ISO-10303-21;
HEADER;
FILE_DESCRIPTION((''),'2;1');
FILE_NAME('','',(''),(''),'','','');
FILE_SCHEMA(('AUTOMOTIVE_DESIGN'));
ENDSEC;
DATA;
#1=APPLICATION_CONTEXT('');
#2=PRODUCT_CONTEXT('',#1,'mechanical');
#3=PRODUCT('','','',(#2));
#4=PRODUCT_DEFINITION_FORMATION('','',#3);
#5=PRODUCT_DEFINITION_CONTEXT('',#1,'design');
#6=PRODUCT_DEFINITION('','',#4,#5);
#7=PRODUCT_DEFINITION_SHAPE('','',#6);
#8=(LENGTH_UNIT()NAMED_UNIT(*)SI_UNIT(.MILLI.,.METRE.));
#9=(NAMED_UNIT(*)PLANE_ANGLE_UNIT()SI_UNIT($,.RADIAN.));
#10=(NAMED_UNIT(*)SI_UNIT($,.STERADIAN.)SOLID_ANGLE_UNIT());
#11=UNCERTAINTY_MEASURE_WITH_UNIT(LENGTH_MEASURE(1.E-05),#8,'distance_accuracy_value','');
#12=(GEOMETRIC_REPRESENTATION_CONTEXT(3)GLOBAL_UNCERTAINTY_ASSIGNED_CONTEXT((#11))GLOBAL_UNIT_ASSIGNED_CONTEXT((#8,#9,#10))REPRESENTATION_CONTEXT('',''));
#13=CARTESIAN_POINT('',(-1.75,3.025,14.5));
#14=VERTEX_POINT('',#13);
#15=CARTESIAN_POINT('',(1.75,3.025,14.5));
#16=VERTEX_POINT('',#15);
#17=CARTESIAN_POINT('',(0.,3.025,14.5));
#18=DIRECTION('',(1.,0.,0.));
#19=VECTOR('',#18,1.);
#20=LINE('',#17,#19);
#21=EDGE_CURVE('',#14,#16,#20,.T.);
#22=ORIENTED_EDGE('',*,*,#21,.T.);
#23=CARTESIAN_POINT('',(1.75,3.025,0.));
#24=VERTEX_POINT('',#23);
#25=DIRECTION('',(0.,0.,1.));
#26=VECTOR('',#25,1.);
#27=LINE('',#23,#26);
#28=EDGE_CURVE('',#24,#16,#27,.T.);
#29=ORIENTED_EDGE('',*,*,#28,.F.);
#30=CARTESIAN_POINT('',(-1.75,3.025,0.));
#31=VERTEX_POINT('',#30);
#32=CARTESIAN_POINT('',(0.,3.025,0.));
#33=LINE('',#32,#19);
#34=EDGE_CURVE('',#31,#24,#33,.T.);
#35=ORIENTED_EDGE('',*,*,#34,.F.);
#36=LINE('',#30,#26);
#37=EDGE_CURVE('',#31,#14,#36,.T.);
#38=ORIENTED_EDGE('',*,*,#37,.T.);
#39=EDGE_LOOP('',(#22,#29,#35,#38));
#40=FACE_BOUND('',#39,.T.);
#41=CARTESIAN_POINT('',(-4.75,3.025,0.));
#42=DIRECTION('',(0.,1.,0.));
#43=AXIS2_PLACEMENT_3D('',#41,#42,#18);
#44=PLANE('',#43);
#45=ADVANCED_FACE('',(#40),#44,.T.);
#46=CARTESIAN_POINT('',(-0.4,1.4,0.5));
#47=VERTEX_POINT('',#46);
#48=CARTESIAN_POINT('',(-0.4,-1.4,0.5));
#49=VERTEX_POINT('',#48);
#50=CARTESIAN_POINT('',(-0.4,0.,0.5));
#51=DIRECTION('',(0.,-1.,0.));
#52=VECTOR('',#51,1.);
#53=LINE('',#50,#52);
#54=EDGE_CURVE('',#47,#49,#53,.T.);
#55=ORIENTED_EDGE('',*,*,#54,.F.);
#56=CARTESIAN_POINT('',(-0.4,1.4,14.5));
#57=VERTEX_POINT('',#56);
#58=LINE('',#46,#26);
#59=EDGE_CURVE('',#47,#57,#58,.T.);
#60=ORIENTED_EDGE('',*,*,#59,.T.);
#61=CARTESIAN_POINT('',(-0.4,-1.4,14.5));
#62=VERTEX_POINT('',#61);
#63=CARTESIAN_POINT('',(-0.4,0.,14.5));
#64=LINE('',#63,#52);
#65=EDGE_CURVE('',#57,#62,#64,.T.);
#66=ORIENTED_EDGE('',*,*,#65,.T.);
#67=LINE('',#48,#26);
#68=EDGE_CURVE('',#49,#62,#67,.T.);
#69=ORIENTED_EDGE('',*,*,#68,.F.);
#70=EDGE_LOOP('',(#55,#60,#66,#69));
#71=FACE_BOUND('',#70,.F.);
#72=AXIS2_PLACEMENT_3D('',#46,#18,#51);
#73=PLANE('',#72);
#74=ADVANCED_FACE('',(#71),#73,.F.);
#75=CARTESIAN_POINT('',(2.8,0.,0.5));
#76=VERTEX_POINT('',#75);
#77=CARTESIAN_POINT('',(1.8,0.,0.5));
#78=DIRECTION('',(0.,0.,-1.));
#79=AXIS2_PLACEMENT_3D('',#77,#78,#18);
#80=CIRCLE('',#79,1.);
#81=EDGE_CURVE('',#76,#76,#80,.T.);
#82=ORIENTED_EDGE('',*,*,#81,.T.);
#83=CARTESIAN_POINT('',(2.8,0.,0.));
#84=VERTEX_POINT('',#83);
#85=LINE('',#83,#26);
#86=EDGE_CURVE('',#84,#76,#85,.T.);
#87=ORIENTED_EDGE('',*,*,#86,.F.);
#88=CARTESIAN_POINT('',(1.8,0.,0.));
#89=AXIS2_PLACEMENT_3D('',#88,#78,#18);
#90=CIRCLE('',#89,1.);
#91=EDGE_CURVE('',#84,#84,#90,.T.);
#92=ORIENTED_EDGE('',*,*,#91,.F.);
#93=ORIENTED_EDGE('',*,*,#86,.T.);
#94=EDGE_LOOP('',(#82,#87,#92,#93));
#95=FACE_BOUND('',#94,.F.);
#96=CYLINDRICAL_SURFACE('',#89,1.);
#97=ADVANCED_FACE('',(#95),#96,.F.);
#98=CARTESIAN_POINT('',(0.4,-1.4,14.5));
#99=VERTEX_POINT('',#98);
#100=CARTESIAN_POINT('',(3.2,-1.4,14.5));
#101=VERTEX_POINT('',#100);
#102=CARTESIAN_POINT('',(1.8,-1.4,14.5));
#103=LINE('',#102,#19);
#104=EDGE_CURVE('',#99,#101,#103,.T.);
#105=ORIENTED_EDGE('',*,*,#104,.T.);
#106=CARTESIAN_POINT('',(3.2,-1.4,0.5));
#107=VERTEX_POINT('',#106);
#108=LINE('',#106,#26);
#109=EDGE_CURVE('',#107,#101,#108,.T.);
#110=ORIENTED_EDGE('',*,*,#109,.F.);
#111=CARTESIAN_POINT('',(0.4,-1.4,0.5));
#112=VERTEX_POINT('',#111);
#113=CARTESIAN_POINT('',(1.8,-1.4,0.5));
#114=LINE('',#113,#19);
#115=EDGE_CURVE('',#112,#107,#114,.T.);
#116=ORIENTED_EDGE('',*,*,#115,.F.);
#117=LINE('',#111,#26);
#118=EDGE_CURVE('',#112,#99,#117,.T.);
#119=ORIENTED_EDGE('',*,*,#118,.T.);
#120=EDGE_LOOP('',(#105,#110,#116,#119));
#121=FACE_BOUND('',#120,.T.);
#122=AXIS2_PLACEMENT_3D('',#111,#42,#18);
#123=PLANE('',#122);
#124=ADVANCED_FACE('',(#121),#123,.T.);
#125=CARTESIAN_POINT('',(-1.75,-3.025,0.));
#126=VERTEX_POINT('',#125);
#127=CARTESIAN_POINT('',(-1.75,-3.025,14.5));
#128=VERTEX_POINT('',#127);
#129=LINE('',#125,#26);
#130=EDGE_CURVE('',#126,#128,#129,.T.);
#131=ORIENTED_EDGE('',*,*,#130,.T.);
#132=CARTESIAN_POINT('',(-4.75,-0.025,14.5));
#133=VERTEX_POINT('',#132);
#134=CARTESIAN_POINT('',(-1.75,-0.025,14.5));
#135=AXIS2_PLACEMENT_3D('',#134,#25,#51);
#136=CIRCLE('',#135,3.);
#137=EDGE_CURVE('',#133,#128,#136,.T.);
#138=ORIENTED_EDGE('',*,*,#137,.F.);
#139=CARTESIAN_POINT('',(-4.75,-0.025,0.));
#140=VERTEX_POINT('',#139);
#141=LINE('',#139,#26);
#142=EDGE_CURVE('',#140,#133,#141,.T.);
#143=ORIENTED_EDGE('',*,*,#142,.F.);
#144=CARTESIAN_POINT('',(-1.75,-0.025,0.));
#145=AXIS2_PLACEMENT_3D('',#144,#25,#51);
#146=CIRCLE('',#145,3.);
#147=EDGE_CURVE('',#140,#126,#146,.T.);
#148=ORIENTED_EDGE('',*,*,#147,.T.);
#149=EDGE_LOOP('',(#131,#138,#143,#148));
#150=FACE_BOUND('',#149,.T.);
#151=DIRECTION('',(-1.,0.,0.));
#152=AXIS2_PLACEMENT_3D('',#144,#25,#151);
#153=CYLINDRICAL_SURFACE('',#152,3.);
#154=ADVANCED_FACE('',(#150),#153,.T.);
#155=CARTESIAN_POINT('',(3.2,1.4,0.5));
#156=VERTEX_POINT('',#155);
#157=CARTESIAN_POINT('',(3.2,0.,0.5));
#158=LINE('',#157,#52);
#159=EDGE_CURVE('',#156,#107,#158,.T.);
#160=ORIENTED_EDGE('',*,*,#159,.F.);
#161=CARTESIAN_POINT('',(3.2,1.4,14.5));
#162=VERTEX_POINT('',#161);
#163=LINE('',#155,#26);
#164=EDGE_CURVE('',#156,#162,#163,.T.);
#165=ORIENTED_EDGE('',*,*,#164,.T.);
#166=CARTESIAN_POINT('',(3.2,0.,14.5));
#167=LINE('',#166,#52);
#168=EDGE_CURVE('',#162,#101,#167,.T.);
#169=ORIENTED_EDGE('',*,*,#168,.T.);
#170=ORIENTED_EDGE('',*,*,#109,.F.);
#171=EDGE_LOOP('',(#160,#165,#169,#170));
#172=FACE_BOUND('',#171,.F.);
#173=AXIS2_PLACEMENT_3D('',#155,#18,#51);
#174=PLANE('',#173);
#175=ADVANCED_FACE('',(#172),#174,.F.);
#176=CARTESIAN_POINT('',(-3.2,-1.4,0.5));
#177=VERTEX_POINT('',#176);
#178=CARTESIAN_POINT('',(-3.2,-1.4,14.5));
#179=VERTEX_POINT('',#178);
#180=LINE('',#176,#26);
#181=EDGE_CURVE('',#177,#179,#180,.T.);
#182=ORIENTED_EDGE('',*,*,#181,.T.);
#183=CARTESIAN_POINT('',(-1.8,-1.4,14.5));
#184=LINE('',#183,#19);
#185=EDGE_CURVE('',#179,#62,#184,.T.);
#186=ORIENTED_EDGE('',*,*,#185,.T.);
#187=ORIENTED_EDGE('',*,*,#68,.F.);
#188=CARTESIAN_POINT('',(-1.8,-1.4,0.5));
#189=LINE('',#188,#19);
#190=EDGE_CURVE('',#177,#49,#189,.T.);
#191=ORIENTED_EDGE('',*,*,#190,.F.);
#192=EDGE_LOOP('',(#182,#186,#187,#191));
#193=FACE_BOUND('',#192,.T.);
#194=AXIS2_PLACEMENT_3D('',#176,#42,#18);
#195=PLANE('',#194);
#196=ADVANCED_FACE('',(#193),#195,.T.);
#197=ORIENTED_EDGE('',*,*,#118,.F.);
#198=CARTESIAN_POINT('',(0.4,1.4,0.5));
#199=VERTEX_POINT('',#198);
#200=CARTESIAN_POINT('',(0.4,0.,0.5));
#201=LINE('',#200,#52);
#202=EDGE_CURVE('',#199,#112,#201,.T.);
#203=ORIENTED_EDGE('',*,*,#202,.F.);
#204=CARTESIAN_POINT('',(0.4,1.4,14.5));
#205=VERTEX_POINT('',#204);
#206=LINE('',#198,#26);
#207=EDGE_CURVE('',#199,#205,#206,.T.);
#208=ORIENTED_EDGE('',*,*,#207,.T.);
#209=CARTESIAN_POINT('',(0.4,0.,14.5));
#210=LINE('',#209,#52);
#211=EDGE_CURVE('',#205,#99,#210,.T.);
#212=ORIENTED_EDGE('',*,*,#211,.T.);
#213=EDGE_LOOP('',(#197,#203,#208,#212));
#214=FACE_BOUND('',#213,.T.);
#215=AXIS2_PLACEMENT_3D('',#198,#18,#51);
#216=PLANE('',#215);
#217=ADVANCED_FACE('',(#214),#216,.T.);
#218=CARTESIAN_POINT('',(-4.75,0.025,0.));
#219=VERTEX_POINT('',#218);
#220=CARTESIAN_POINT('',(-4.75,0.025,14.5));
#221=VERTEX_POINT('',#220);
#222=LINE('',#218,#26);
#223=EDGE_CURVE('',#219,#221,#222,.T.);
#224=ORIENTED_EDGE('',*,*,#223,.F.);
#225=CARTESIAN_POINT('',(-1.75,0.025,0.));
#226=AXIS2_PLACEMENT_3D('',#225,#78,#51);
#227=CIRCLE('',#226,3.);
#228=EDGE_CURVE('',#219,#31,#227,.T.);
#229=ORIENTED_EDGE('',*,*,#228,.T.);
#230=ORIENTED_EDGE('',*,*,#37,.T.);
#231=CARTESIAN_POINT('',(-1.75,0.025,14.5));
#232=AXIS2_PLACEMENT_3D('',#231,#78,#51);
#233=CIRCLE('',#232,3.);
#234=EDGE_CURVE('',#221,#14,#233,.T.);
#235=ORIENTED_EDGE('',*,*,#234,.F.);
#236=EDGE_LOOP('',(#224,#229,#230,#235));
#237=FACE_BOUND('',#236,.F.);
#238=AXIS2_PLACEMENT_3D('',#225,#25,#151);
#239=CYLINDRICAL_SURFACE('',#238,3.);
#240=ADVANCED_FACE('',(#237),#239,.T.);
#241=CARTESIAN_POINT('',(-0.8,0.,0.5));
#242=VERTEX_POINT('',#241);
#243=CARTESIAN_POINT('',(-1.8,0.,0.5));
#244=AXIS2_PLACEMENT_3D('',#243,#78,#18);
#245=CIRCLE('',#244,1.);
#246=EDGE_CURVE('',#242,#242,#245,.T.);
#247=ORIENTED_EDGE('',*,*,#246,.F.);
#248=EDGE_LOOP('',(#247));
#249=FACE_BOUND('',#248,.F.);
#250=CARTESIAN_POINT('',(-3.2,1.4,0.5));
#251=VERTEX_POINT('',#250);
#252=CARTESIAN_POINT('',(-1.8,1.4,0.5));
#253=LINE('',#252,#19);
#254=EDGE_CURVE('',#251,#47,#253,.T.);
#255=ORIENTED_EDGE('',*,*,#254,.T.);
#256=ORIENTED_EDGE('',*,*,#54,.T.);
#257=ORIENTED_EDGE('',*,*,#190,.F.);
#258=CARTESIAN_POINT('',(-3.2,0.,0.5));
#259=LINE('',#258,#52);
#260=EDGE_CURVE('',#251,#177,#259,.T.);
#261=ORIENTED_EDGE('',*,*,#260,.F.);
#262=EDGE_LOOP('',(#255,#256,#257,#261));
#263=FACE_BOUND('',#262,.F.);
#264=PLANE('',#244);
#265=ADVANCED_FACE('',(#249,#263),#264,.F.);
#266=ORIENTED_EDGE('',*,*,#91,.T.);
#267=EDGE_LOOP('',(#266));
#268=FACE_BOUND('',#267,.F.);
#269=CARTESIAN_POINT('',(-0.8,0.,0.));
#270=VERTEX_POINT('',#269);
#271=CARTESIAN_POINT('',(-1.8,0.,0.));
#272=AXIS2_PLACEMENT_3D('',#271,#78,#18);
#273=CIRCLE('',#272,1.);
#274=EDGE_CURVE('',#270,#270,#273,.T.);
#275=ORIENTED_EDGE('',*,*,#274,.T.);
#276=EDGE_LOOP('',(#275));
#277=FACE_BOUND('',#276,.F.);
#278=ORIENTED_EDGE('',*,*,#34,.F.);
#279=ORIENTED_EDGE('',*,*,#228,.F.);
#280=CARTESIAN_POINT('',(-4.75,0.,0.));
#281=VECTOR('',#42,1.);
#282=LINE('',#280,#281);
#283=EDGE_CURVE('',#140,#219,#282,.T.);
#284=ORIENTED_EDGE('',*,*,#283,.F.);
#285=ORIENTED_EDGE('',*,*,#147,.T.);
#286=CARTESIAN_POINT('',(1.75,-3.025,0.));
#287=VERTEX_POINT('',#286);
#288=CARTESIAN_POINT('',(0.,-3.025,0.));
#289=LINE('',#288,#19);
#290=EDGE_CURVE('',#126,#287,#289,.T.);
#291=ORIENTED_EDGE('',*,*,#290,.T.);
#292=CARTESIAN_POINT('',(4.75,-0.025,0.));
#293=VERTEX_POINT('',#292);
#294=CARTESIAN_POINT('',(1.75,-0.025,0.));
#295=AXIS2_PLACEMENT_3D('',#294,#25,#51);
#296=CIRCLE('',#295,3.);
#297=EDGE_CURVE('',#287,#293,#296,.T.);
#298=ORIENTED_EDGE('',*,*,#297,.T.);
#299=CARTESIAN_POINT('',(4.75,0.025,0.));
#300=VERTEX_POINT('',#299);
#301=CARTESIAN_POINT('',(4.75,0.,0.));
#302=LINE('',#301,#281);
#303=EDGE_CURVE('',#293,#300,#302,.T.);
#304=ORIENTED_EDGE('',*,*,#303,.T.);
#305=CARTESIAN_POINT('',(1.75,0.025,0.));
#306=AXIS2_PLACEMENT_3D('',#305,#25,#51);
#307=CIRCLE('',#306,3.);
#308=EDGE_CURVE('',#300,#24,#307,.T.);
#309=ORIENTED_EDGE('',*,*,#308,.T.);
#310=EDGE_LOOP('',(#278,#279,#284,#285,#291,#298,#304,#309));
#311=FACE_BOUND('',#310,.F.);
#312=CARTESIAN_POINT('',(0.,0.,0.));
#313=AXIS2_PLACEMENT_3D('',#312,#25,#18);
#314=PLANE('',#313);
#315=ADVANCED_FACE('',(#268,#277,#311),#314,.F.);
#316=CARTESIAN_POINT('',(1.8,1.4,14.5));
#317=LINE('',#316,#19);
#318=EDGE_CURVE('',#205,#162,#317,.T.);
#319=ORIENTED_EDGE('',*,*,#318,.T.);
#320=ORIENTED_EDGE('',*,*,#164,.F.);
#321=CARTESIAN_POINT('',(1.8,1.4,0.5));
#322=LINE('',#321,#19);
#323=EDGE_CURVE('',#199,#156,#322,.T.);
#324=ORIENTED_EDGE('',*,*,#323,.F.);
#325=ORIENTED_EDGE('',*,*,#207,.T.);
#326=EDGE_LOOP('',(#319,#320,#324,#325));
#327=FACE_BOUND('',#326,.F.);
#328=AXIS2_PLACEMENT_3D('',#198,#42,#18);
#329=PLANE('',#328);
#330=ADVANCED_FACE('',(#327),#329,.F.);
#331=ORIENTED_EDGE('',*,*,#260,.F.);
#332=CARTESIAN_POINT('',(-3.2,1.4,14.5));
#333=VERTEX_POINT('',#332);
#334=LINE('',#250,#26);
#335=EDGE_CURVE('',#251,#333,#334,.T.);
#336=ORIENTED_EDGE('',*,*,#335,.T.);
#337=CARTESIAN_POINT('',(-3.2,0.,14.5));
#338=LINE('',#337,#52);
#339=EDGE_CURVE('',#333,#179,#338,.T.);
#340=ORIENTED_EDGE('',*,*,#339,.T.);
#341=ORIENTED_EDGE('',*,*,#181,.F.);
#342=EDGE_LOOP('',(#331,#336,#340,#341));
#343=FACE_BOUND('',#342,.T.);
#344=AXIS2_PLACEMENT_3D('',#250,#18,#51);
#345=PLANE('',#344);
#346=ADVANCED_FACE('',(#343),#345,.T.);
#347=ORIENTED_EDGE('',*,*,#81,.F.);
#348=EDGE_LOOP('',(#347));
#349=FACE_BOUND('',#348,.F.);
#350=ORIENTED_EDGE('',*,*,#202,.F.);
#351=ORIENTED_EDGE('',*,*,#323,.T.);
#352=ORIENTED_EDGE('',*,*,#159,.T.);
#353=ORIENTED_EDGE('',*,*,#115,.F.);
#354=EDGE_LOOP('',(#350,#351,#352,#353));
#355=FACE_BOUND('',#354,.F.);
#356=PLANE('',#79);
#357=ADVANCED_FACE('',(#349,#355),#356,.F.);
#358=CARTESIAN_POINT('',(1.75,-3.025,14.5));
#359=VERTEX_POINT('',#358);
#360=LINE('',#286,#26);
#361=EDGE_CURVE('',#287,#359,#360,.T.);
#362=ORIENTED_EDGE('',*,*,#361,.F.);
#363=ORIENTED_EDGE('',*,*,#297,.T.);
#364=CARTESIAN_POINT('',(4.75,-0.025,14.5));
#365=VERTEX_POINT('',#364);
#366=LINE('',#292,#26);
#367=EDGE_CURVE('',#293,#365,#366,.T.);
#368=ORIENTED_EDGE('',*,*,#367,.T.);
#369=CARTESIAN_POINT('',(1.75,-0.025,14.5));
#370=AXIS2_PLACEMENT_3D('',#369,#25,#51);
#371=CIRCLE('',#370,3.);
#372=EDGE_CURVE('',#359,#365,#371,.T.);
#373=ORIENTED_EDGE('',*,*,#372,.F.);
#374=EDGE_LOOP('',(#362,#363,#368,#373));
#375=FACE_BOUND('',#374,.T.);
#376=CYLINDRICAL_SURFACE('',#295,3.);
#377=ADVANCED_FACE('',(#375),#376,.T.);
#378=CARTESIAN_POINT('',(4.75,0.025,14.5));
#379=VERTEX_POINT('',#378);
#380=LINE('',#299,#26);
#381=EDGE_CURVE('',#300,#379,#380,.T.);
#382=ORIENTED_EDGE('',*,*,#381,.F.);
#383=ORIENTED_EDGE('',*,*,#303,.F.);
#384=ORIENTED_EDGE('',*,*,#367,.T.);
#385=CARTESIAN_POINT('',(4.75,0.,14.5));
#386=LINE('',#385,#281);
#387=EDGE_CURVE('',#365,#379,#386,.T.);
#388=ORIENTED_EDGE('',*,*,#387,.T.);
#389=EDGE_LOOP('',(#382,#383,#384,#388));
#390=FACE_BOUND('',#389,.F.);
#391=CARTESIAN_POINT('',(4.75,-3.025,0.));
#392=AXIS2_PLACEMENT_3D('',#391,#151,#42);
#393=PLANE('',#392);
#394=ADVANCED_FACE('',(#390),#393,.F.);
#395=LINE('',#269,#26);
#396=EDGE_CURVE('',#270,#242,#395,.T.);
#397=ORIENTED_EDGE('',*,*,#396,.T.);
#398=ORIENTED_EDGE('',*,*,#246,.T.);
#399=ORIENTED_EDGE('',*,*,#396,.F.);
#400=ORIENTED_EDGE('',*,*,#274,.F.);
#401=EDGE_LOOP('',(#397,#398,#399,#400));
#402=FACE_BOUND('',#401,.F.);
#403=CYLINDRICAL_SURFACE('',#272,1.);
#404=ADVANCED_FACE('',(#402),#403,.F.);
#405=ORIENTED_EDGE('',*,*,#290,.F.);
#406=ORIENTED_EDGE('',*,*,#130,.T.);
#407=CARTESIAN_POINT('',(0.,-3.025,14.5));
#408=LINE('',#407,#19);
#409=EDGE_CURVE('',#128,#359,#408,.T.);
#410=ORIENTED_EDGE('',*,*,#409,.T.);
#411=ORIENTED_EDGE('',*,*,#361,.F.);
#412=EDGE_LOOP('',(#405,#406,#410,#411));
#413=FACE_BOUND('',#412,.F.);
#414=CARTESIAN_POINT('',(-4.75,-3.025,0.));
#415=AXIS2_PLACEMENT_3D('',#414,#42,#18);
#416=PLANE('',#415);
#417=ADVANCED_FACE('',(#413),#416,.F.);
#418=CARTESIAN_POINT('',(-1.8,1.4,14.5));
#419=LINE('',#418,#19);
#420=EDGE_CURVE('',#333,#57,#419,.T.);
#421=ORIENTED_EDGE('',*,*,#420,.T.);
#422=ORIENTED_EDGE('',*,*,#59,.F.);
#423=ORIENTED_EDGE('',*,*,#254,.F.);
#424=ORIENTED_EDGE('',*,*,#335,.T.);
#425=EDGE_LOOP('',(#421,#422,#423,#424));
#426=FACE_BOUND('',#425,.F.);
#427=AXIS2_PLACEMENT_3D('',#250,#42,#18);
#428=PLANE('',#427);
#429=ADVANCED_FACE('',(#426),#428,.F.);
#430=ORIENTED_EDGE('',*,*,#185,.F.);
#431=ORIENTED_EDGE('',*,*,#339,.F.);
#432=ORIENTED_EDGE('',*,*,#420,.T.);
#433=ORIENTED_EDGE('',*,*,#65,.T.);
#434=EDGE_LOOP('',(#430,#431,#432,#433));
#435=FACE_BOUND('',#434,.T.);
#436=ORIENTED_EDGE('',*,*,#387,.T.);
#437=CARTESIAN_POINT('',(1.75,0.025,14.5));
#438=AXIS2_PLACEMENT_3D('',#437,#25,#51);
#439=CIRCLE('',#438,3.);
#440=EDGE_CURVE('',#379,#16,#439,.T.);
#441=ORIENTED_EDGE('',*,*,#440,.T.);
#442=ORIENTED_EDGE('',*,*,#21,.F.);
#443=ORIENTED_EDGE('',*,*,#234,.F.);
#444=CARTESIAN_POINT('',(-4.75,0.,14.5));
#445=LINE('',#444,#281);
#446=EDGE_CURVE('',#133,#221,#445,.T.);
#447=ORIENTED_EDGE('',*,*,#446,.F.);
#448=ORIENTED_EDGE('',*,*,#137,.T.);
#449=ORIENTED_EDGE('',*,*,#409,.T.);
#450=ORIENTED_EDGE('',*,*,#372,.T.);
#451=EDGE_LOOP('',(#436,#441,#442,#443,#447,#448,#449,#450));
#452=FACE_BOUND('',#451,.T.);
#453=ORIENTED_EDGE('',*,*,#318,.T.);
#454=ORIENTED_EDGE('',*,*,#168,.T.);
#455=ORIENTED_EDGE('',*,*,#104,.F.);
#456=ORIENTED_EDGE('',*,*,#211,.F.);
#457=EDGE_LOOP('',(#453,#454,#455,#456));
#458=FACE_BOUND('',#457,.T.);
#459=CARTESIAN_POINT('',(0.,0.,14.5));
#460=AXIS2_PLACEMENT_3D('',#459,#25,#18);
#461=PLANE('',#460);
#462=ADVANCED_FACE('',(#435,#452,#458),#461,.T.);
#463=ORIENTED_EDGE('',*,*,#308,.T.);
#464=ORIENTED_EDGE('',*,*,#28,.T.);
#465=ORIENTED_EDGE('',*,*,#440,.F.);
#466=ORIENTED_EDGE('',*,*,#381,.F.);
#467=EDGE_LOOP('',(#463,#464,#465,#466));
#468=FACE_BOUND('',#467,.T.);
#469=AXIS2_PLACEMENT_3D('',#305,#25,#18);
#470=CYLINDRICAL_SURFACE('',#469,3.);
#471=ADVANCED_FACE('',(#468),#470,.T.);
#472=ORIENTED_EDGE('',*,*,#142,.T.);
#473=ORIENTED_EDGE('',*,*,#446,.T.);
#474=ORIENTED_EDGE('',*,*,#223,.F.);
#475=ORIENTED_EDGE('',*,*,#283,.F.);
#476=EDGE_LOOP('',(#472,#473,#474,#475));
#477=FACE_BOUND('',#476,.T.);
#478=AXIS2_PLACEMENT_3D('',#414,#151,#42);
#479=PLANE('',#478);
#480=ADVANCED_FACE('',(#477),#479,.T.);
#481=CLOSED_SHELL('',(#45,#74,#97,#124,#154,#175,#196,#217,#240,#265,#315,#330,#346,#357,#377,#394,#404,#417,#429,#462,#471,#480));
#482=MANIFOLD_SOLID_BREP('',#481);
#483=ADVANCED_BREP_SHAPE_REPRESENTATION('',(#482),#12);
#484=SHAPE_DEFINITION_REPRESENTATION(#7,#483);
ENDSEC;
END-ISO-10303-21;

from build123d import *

# Parameters (mm, degrees)
SKETCH_W        = 9.5
SKETCH_H        = 6.05
PAD_DEPTH       = 14.5
FILLET_R        = 3
SKETCH001_R     = 1
POCKET_DEPTH    = 0.5
SKETCH003_W     = 2.8
SKETCH003_H     = 2.8
POCKET001_DEPTH = 14


with BuildPart() as part:
    # Sketch → Pad (new body)
    with BuildSketch(Plane.XY):
        Rectangle(SKETCH_W, SKETCH_H)
    extrude(amount=PAD_DEPTH)

    # Fillet
    fillet_edges = [part.edges().sort_by_distance(p)[0] for p in [
        (-4.75, -3.025, 7.25),
        (4.75, -3.025, 7.25),
        (4.75, 3.025, 7.25),
        (-4.75, 3.025, 7.25),
    ]]
    fillet(fillet_edges, radius=FILLET_R)

    # Sketch001 (on Face2 of Fillet) → Pocket (cut)
    with BuildSketch(Plane(origin=(0, 0, 0), x_dir=(1, 0, 0), z_dir=(0, 0, -1))):
        with Locations((1.8, 0)):
            Circle(SKETCH001_R)
        with Locations((-1.8, 0)):
            Circle(SKETCH001_R)
    extrude(amount=-POCKET_DEPTH, mode=Mode.SUBTRACT)

    # Sketch003 (on Face14 of Pocket) → Pocket001 (cut)
    with BuildSketch(Plane(origin=(0, 0, 0.5), x_dir=(1, 0, 0), z_dir=(0, 0, -1))):
        with Locations((1.8, 0)):
            Rectangle(SKETCH003_W, SKETCH003_H)
        with Locations((-1.8, 0)):
            Rectangle(SKETCH003_W, SKETCH003_H)
    extrude(amount=-POCKET001_DEPTH, mode=Mode.SUBTRACT)


solid = part.part
